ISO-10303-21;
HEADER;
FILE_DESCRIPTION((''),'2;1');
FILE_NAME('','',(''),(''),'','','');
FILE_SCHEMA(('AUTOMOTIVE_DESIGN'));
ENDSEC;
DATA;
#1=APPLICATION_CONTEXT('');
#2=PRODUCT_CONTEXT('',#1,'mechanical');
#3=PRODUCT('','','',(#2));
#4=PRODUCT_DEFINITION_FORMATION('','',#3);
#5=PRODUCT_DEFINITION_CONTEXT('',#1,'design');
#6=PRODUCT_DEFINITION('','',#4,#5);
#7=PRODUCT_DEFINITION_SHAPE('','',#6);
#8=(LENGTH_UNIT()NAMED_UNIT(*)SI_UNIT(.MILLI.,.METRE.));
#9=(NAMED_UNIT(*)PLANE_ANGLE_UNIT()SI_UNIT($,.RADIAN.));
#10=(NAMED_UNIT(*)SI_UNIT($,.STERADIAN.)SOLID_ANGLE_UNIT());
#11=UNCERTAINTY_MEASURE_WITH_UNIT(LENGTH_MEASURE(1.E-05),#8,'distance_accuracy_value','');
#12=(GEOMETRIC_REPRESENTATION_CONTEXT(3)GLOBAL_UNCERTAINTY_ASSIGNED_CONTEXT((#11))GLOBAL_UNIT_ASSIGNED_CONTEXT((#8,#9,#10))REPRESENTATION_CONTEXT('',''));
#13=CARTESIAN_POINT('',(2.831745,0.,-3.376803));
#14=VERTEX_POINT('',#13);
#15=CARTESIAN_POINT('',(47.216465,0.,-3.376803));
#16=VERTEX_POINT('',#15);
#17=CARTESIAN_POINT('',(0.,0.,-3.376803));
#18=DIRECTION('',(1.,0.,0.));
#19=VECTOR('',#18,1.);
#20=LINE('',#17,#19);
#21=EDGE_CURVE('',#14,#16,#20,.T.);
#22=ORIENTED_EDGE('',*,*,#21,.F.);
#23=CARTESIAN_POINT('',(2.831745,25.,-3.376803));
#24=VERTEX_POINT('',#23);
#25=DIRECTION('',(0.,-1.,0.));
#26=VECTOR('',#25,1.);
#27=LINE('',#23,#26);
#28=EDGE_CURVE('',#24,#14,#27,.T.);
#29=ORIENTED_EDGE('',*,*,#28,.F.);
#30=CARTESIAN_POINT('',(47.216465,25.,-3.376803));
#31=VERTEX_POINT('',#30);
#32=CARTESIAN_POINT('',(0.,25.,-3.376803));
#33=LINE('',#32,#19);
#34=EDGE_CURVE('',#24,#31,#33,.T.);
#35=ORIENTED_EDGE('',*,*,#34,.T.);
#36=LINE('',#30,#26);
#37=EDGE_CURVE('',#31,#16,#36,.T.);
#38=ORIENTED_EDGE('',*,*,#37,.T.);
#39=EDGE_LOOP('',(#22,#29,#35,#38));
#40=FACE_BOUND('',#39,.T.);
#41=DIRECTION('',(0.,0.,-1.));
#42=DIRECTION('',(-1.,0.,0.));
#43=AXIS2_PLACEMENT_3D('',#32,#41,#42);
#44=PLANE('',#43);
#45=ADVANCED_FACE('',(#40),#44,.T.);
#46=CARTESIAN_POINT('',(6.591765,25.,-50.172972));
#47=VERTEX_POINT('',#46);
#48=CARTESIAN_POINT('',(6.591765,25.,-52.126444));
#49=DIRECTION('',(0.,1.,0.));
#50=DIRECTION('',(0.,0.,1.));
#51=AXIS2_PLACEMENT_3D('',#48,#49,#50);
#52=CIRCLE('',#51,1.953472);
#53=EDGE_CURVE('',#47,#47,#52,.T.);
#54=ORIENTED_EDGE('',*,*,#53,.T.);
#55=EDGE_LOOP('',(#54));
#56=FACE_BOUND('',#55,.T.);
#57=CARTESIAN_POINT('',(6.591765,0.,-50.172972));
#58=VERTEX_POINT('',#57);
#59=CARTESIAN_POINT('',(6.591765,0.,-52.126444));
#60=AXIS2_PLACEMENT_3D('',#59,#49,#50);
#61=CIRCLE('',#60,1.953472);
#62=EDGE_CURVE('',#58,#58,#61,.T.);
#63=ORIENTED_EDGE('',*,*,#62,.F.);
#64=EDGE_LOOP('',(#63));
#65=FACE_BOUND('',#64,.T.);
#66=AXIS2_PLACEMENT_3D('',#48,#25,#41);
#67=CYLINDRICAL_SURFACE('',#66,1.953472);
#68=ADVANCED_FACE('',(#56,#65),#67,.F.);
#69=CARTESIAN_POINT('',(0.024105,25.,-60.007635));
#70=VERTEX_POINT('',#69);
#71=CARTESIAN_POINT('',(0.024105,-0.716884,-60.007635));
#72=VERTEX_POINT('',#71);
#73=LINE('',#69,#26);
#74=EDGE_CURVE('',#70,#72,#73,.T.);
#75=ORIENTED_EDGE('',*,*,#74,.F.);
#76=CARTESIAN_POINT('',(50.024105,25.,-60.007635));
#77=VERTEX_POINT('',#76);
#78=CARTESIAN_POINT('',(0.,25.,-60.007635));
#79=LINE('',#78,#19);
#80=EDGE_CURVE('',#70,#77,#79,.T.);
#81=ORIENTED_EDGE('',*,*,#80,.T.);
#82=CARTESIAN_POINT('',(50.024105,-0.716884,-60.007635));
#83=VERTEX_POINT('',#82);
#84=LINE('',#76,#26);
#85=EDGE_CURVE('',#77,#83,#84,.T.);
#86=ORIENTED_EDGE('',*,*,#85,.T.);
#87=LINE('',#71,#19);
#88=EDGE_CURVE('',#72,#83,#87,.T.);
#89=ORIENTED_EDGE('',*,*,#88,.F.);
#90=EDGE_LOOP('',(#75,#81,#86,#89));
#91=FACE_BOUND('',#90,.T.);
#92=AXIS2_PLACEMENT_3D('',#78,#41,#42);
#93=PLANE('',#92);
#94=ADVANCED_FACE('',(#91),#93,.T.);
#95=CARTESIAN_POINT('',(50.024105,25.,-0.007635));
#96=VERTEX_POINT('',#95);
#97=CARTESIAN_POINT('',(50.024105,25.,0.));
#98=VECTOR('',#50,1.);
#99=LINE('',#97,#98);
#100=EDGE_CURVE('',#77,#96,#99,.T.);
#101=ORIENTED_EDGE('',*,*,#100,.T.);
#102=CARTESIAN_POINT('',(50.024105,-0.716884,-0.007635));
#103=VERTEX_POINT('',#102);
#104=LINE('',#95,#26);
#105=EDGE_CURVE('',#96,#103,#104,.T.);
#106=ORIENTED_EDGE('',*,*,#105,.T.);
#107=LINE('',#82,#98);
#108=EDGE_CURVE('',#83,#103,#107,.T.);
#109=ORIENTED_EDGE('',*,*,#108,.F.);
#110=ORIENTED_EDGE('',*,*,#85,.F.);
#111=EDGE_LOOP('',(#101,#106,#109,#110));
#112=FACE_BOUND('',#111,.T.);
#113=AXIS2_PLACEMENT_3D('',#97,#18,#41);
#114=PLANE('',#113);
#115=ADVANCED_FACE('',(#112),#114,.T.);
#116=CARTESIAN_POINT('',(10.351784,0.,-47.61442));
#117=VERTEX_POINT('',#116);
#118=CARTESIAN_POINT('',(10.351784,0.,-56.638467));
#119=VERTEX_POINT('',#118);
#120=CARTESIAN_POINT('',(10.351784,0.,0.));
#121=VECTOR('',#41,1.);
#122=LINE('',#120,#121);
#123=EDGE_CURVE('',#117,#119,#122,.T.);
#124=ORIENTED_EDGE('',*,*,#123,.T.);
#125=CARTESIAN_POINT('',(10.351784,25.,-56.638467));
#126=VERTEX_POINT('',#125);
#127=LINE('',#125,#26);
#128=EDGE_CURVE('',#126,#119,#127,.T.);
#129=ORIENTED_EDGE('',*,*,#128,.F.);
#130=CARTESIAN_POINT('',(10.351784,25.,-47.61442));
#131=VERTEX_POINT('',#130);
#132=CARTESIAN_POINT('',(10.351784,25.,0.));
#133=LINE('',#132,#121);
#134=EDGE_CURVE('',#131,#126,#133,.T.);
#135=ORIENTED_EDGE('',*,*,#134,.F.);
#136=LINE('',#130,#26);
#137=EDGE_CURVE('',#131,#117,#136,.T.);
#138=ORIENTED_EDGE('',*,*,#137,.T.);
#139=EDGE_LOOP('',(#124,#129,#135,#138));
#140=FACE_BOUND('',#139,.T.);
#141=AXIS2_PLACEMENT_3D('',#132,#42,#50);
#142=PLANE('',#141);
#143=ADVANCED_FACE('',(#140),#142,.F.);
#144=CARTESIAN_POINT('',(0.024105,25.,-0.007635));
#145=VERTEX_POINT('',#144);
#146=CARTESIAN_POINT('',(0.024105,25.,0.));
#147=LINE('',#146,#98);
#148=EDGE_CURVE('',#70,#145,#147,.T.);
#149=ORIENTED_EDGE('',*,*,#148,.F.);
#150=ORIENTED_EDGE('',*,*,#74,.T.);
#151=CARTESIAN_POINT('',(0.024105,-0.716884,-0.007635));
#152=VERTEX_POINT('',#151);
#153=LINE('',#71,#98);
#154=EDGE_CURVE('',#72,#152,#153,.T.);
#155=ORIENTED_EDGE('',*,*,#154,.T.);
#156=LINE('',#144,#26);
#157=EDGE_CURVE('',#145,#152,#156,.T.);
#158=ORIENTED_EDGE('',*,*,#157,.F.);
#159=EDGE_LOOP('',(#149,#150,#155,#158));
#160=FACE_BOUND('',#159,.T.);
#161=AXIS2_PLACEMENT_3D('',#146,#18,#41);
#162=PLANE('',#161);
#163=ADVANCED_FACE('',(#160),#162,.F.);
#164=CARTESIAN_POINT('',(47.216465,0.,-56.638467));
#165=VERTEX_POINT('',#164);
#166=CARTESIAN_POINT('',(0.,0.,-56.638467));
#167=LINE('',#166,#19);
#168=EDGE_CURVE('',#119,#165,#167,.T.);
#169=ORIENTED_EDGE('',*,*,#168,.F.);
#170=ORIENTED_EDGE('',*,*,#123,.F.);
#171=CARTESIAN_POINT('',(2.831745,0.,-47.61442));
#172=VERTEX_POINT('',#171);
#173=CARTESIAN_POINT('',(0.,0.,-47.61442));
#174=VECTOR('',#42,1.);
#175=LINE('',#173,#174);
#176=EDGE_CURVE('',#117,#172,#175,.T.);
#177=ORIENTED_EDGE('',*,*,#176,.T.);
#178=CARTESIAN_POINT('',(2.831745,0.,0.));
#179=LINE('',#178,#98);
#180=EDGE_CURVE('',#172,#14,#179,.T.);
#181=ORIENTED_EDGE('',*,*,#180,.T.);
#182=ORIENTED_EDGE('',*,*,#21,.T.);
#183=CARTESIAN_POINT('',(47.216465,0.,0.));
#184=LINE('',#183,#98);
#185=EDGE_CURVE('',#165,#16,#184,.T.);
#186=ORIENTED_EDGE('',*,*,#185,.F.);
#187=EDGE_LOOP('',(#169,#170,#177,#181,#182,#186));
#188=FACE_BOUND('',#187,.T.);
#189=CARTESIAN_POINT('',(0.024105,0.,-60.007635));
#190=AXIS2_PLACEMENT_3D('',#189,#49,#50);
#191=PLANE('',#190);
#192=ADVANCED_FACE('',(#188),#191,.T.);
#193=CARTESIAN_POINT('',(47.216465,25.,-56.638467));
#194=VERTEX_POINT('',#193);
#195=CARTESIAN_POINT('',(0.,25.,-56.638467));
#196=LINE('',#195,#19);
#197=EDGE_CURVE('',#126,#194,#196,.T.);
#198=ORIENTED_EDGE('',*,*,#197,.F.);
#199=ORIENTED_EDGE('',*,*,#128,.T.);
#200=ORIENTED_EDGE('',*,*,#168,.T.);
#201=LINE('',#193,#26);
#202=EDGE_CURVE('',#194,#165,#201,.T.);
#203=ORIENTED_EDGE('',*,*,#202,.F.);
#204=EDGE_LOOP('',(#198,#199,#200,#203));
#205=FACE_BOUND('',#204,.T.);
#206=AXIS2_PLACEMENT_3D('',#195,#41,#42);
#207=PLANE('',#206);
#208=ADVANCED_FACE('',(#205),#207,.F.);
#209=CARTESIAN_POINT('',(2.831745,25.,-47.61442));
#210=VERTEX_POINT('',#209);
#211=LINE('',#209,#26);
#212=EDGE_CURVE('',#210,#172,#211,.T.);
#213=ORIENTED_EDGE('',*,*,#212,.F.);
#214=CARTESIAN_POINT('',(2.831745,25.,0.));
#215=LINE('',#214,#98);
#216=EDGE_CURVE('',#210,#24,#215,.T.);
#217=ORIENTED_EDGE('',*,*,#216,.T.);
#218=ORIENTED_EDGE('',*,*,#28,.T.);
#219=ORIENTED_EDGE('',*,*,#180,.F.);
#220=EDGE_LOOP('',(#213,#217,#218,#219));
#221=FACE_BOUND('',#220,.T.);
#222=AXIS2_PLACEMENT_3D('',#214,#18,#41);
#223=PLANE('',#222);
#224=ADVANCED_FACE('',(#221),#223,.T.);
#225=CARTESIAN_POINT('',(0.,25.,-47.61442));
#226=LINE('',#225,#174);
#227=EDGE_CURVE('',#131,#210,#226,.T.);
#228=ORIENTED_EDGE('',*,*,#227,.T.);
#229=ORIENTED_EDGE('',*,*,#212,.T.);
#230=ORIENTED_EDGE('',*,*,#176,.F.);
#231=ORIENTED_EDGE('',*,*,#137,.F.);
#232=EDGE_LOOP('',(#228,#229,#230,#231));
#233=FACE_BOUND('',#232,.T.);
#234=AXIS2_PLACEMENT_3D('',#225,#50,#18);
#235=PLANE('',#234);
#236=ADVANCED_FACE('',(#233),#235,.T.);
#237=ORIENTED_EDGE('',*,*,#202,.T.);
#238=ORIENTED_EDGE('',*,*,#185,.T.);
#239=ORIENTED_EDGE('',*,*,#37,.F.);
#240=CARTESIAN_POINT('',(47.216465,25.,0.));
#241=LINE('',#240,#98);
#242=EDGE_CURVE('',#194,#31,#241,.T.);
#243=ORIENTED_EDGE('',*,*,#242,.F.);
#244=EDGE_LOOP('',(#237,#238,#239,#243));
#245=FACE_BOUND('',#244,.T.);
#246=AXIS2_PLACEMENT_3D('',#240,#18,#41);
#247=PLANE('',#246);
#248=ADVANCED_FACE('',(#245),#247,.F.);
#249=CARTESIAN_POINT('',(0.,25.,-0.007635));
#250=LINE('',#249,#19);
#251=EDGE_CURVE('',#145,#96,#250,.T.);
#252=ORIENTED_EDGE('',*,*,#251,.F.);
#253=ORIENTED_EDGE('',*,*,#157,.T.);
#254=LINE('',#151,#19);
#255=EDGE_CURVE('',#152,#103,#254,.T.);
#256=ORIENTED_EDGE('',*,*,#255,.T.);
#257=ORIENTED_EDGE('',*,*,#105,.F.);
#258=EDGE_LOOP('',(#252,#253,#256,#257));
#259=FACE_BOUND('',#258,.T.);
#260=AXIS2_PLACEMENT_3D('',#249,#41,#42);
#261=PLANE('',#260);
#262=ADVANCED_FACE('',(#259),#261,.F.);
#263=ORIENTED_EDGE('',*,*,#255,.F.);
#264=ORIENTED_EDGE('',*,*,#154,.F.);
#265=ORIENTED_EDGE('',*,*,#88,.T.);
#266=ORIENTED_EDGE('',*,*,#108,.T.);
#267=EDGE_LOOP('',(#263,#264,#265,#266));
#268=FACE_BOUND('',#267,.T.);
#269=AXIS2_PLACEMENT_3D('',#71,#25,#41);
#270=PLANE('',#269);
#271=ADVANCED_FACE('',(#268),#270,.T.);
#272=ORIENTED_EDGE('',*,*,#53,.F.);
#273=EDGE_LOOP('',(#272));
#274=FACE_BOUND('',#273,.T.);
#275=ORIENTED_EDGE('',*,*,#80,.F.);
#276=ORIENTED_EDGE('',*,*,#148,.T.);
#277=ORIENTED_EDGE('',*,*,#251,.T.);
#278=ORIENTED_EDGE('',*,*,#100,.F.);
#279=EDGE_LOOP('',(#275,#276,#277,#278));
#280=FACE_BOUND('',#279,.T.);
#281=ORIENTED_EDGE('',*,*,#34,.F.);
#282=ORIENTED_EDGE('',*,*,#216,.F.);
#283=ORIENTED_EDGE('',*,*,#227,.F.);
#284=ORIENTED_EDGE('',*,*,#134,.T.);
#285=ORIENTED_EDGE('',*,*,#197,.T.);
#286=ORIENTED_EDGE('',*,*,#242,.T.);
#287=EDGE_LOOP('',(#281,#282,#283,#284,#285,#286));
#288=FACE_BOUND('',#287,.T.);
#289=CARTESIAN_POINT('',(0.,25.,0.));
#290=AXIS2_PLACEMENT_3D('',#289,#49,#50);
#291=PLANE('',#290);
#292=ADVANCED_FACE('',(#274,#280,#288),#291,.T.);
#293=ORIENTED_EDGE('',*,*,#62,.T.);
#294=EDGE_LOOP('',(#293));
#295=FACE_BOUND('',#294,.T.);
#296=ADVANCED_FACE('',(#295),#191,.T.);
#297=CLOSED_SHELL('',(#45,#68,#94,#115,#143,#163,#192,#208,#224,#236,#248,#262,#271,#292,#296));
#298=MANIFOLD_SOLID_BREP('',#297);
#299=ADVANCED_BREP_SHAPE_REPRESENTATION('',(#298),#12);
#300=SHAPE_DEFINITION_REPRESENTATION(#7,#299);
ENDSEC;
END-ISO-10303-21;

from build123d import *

# Parameters (mm, degrees)
SKETCH_1_W      = 50
SKETCH_1_H      = 60
SKETCH_1_W_2    = 44.384719817
SKETCH_1_H_2    = 53.261663781
SKETCH_1_W_3    = 7.520038949
SKETCH_1_H_3    = 9.02404674
SKETCH_1_R      = 1.953472296
EXTRUDE_1_DEPTH = 25
SKETCH_2_W      = 50
SKETCH_2_H      = 0.716883707
EXTRUDE_2_DEPTH = 60


with BuildPart() as part:
    # Эскиз1 → Бобышка-Вытянуть1 (new body)
    # profile 1 of 2: a face of its own
    with BuildSketch(Plane(origin=(0, 0, 0), x_dir=(1, 0, 0), z_dir=(0, 1, 0))):
        with Locations((25.024105357, 30.007635335)):
            Rectangle(SKETCH_1_W, SKETCH_1_H)
        with Locations((25.024105358, 30.007635335)):
            Rectangle(SKETCH_1_W_2, SKETCH_1_H_2, mode=Mode.SUBTRACT)
    # profile 2 of 2: a face of its own
    with BuildSketch(Plane(origin=(0, 0, 0), x_dir=(1, 0, 0), z_dir=(0, 1, 0))):
        with Locations((6.591764924, 52.126443855)):
            Rectangle(SKETCH_1_W_3, SKETCH_1_H_3)
        with Locations(Location((6.591764924, 52.126443855, 0), (0, 0, 270))):
            Circle(SKETCH_1_R, mode=Mode.SUBTRACT)
    extrude(amount=EXTRUDE_1_DEPTH)

    # Эскиз2 → Бобышка-Вытянуть2 (add)
    with BuildSketch(Plane.XY.offset(-0.007635335)):
        with Locations((25.024105357, -0.358441854)):
            Rectangle(SKETCH_2_W, SKETCH_2_H)
    extrude(amount=-EXTRUDE_2_DEPTH)


solid = part.part
